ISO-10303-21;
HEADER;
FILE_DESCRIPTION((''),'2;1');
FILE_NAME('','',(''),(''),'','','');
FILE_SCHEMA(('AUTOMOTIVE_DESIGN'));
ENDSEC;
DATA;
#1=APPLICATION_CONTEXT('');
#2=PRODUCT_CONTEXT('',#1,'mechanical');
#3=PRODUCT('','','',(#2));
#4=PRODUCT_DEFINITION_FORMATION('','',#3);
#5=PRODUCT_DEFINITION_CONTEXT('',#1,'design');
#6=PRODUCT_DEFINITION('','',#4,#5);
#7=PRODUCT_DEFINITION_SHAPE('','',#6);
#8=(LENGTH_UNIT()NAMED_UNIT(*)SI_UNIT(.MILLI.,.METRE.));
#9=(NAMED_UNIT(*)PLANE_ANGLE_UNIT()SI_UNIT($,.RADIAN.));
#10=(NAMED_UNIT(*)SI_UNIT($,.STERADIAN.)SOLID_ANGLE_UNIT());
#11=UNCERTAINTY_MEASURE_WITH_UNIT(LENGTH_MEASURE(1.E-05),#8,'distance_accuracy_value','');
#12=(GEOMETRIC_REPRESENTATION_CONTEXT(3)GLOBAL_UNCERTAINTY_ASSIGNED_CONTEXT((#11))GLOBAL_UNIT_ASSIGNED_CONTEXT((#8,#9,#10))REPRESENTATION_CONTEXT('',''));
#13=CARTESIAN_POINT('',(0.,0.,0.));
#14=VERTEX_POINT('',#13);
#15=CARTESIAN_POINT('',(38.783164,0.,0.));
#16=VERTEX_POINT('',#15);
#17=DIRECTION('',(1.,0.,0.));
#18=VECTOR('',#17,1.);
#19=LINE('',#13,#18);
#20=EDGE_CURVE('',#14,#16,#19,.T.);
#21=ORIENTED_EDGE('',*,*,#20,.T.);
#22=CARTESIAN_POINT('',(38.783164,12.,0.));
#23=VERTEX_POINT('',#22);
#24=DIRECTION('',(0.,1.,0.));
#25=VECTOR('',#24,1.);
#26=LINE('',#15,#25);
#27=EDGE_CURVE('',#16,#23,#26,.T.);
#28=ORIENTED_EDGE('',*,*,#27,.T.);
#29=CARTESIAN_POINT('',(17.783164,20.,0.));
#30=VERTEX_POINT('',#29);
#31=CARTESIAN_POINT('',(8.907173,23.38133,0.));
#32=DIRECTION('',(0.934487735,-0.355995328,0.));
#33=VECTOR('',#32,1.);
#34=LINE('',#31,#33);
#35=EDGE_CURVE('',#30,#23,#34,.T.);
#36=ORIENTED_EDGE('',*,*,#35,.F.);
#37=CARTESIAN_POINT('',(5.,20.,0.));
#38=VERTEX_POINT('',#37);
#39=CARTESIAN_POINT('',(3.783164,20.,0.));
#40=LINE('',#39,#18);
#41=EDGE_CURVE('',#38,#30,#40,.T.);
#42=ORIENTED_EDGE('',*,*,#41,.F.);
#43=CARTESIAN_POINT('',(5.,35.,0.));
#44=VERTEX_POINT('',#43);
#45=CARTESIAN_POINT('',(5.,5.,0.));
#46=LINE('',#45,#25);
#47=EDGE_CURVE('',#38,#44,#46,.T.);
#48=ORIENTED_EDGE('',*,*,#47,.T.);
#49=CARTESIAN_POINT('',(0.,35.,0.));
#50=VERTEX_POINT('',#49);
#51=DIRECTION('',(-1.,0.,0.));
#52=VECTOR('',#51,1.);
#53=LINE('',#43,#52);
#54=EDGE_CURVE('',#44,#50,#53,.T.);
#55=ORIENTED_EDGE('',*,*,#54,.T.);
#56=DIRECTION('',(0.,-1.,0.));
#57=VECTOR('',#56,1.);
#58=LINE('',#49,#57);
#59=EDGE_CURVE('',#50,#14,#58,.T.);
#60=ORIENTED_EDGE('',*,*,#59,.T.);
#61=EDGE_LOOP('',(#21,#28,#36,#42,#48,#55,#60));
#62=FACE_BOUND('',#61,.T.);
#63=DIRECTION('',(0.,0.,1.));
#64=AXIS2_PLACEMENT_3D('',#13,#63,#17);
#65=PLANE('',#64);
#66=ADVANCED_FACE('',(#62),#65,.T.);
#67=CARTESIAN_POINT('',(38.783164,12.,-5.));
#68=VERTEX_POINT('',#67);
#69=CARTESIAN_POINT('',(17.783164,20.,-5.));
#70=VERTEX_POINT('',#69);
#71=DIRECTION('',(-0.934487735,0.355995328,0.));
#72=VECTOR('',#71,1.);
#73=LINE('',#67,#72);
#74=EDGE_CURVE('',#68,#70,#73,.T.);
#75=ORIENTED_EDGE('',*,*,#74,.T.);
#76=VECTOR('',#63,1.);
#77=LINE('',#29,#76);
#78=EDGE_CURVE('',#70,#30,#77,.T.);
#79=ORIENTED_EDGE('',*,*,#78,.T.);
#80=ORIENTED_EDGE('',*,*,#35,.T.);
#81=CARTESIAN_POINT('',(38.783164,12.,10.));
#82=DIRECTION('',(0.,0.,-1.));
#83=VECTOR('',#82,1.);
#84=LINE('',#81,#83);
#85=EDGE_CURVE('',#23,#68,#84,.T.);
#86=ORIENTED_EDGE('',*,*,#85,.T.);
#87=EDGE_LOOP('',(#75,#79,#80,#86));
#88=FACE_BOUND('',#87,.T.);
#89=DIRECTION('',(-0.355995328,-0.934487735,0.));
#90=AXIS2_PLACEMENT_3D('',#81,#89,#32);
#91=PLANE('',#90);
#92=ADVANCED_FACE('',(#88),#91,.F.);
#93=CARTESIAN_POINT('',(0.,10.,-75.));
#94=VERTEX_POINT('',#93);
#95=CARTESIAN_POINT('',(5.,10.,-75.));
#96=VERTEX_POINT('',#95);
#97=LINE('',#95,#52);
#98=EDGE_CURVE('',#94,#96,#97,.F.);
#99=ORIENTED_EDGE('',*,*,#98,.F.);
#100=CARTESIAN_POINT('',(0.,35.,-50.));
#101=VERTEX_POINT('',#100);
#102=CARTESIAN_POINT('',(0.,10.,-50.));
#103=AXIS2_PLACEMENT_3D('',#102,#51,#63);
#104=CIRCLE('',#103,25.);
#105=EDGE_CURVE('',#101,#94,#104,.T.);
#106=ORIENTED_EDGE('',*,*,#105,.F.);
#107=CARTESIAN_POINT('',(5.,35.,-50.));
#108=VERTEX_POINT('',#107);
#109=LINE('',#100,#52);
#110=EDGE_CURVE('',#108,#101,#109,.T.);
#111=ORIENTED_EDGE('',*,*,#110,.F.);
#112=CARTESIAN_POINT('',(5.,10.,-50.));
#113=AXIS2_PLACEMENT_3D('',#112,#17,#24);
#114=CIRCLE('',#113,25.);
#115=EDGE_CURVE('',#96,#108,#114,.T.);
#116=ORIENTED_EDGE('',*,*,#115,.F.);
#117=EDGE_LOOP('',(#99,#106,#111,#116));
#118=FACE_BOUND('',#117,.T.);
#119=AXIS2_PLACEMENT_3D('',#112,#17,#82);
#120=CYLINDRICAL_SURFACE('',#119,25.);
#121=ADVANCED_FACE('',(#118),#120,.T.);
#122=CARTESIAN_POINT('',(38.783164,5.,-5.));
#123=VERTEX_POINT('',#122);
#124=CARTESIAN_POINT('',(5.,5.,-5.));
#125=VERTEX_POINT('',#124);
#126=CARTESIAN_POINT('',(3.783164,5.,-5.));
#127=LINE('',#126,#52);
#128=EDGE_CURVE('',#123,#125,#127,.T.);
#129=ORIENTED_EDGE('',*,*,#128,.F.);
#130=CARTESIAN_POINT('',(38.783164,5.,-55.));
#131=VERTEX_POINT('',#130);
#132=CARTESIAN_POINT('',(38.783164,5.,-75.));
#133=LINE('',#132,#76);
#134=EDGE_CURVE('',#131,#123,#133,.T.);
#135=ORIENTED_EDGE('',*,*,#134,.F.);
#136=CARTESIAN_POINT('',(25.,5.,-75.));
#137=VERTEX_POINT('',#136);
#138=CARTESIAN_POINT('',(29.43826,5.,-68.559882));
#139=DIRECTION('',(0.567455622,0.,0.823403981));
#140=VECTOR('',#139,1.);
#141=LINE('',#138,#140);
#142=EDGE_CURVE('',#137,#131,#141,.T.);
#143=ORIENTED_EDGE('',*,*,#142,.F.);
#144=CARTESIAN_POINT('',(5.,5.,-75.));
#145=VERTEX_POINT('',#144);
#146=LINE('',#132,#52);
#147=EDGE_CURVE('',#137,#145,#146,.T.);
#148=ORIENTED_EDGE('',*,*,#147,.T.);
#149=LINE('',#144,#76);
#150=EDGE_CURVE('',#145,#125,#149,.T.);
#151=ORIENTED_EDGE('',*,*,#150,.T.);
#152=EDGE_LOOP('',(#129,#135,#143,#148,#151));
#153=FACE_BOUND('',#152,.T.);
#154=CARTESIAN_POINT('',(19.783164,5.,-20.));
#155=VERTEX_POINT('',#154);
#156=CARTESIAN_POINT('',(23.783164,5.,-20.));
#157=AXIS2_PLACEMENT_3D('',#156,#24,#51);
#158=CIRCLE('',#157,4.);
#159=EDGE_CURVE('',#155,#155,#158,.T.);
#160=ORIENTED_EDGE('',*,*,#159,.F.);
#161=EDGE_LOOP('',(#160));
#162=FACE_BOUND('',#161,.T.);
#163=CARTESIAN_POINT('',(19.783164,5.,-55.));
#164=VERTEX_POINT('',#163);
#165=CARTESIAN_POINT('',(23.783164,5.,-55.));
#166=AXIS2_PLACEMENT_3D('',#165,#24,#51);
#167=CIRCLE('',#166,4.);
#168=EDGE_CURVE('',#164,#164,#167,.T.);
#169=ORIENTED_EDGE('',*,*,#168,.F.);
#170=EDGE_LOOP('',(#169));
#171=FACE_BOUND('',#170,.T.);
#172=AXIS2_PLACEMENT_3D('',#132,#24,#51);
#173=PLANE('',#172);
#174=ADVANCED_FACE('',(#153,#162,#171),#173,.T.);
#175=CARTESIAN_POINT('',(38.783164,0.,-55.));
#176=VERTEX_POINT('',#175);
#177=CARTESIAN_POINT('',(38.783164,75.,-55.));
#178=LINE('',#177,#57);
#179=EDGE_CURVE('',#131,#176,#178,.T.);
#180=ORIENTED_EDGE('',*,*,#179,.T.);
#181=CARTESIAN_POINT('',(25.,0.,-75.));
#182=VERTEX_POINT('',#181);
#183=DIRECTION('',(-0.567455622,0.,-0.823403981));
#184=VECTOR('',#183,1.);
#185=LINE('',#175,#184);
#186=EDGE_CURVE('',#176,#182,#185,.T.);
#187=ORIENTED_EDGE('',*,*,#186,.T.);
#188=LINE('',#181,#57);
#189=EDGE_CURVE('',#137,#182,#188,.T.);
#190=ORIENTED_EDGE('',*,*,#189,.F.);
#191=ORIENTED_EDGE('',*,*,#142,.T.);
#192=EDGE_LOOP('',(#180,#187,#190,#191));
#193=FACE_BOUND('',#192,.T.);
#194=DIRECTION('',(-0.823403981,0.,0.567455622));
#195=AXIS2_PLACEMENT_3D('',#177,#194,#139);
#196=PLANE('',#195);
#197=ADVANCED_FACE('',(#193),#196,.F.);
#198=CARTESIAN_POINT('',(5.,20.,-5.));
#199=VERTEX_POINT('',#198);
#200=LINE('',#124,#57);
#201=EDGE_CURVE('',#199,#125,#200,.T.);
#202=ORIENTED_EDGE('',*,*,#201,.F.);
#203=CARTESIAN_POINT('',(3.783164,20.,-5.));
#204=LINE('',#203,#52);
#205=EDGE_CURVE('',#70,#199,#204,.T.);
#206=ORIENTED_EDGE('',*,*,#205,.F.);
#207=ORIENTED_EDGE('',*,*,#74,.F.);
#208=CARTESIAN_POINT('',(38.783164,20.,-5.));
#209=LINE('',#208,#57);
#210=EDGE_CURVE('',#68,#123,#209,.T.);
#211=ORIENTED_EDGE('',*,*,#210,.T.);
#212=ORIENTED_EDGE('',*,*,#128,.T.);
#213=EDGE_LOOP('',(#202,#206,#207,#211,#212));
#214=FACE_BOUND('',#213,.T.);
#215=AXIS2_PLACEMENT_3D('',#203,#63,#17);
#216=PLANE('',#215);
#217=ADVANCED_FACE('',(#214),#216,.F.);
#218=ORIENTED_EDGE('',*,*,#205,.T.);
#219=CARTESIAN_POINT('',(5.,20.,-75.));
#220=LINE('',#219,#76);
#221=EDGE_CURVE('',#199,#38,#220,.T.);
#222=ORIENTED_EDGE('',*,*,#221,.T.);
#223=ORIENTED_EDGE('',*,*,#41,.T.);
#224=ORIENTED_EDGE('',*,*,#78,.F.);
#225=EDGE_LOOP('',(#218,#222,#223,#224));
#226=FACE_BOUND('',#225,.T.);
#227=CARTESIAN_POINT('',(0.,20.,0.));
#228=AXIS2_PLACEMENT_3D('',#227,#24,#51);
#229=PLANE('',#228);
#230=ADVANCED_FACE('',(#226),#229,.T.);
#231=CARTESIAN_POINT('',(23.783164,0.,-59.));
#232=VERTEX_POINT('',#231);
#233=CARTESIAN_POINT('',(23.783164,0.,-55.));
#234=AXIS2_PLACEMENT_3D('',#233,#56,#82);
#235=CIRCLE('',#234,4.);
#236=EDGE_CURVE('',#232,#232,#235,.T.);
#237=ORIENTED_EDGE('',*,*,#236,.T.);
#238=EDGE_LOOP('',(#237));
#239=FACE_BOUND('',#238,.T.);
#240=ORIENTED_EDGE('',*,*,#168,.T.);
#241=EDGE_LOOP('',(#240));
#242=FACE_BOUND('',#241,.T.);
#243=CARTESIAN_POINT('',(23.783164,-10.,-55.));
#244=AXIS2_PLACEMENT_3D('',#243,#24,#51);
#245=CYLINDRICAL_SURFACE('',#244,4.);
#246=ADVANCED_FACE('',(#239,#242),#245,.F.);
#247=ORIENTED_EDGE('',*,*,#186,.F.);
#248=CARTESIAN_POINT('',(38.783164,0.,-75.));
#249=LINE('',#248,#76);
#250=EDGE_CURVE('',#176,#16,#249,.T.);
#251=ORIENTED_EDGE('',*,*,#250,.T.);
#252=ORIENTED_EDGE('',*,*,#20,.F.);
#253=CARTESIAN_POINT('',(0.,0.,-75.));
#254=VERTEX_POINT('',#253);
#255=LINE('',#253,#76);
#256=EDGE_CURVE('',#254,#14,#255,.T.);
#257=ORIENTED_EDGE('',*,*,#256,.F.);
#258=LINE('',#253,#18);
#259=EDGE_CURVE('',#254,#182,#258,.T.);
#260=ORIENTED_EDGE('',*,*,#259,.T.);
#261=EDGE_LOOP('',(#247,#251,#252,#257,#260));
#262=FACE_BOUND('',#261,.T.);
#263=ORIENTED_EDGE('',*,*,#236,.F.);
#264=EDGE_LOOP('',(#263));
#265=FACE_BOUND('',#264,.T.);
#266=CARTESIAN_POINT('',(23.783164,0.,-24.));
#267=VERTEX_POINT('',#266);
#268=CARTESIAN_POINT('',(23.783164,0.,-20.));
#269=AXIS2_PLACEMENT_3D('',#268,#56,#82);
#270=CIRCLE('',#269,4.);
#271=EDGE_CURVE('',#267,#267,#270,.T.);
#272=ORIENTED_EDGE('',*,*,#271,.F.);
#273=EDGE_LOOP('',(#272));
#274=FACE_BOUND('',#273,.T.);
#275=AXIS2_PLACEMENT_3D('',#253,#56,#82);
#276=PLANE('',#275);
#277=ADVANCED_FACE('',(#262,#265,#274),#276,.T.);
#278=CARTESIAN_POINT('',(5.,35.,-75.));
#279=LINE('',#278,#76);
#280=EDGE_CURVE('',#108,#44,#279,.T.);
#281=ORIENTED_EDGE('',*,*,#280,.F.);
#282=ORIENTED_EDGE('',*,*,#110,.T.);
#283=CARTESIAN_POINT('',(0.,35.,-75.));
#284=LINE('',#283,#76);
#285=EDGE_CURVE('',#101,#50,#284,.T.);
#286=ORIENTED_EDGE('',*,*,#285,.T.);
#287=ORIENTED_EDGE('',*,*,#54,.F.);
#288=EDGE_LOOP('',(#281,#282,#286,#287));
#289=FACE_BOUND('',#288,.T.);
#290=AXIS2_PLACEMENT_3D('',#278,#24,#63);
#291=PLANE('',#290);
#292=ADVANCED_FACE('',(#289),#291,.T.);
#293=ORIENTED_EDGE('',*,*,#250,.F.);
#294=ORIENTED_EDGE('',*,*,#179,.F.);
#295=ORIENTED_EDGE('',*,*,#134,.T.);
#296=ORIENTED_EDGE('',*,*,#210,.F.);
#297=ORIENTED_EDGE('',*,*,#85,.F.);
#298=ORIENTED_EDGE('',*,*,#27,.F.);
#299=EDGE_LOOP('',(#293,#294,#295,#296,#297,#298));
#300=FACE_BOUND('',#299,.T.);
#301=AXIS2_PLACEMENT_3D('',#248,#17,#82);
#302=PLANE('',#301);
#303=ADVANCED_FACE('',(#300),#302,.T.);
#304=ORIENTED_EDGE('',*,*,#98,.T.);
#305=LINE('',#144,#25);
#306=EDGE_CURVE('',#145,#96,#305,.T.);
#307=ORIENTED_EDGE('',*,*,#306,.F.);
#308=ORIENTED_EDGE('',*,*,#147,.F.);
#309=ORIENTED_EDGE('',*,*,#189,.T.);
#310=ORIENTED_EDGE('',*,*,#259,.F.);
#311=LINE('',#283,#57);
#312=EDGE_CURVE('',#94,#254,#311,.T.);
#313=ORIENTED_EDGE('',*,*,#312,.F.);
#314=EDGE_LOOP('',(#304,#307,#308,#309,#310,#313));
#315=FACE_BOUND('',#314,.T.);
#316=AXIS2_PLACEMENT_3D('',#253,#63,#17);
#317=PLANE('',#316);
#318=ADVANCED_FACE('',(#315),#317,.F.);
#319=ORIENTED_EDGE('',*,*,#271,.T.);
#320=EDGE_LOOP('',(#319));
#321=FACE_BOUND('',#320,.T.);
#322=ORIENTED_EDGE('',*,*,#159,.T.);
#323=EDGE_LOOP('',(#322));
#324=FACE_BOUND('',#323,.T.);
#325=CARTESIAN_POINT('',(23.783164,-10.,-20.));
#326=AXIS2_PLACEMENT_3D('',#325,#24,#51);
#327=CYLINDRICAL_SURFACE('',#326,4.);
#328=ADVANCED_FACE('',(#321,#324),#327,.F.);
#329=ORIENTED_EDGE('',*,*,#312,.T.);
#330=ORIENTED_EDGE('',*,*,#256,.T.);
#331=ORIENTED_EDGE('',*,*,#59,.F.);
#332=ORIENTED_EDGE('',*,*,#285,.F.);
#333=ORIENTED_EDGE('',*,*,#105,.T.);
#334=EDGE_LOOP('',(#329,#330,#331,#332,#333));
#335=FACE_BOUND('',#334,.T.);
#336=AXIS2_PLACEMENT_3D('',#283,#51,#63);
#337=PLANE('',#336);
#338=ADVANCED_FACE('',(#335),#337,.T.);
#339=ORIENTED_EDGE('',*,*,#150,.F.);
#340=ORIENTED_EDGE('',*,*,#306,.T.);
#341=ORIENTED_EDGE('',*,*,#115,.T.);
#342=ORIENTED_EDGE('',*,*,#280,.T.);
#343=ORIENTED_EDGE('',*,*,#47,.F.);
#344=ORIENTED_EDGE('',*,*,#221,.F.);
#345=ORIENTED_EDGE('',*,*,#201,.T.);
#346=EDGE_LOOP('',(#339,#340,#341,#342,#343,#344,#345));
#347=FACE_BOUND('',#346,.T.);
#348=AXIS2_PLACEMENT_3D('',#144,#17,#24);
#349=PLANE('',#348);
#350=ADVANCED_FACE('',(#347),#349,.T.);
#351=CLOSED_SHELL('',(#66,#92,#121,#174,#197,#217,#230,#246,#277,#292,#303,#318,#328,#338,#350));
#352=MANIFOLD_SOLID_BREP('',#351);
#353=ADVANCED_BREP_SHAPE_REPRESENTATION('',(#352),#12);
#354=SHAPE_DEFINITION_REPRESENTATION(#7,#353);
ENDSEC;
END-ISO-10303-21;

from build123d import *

# Parameters (mm, degrees)
DODANIE_WYCI_GNI_CIE1_DEPTH = 75
ZAOKR_GLENIE1_R             = 25
WYTNIJ_WYCI_GNI_CIE1_DEPTH  = 75
SZKIC6_R                    = 4
WYTNIJ_WYCI_GNI_CIE2_DEPTH  = 15
SZKIC7_W                    = 35
SZKIC7_H                    = 5
DODANIE_WYCI_GNI_CIE2_DEPTH = 15
WYTNIJ_WYCI_GNI_CIE3_DEPTH  = 15


with BuildPart() as part:
    # Szkic1 → Dodanie-wyciągnięcie1 (new body)
    with BuildSketch(Plane.XY):
        Polygon((0, 0), (38.783164401, 0), (38.783164401, 5), (5, 5), (5, 35), (0, 35), align=None)
    extrude(amount=-DODANIE_WYCI_GNI_CIE1_DEPTH)

    # Zaokrąglenie1
    zaokr_glenie1_edges = [part.edges().sort_by_distance(p)[0] for p in [
        (2.5, 35, -75),
    ]]
    fillet(zaokr_glenie1_edges, radius=ZAOKR_GLENIE1_R)

    # Szkic5 → Wytnij-wyciągnięcie1 (cut)
    with BuildSketch(Plane.XZ):
        Polygon((38.783164401, -55), (25, -75), (38.783164401, -75), align=None)
    extrude(amount=-WYTNIJ_WYCI_GNI_CIE1_DEPTH, mode=Mode.SUBTRACT)

    # Szkic6 → Wytnij-wyciągnięcie2 (cut)
    with BuildSketch(Plane(origin=(0, 5, 0), x_dir=(1, 0, 0), z_dir=(0, 1, 0))):
        with Locations(Location((23.783164401, 55, 0), (0, 0, 180))):
            Circle(SZKIC6_R)
        with Locations(Location((23.783164401, 20, 0), (0, 0, 180))):
            Circle(SZKIC6_R)
    extrude(amount=-WYTNIJ_WYCI_GNI_CIE2_DEPTH, mode=Mode.SUBTRACT)

    # Szkic7 → Dodanie-wyciągnięcie2 (add)
    with BuildSketch(Plane(origin=(0, 5, 0), x_dir=(1, 0, 0), z_dir=(0, 1, 0))):
        with Locations((21.283164401, 2.5)):
            Rectangle(SZKIC7_W, SZKIC7_H)
    extrude(amount=DODANIE_WYCI_GNI_CIE2_DEPTH)

    # Szkic8 → Wytnij-wyciągnięcie3 (cut)
    with BuildSketch(Plane(origin=(0, 0, -5), x_dir=(-1, 0, 0), z_dir=(0, 0, -1))):
        Polygon((-38.783164401, 12), (-17.783164401, 20), (-38.783164401, 20), align=None)
    extrude(amount=-WYTNIJ_WYCI_GNI_CIE3_DEPTH, mode=Mode.SUBTRACT)


solid = part.part
